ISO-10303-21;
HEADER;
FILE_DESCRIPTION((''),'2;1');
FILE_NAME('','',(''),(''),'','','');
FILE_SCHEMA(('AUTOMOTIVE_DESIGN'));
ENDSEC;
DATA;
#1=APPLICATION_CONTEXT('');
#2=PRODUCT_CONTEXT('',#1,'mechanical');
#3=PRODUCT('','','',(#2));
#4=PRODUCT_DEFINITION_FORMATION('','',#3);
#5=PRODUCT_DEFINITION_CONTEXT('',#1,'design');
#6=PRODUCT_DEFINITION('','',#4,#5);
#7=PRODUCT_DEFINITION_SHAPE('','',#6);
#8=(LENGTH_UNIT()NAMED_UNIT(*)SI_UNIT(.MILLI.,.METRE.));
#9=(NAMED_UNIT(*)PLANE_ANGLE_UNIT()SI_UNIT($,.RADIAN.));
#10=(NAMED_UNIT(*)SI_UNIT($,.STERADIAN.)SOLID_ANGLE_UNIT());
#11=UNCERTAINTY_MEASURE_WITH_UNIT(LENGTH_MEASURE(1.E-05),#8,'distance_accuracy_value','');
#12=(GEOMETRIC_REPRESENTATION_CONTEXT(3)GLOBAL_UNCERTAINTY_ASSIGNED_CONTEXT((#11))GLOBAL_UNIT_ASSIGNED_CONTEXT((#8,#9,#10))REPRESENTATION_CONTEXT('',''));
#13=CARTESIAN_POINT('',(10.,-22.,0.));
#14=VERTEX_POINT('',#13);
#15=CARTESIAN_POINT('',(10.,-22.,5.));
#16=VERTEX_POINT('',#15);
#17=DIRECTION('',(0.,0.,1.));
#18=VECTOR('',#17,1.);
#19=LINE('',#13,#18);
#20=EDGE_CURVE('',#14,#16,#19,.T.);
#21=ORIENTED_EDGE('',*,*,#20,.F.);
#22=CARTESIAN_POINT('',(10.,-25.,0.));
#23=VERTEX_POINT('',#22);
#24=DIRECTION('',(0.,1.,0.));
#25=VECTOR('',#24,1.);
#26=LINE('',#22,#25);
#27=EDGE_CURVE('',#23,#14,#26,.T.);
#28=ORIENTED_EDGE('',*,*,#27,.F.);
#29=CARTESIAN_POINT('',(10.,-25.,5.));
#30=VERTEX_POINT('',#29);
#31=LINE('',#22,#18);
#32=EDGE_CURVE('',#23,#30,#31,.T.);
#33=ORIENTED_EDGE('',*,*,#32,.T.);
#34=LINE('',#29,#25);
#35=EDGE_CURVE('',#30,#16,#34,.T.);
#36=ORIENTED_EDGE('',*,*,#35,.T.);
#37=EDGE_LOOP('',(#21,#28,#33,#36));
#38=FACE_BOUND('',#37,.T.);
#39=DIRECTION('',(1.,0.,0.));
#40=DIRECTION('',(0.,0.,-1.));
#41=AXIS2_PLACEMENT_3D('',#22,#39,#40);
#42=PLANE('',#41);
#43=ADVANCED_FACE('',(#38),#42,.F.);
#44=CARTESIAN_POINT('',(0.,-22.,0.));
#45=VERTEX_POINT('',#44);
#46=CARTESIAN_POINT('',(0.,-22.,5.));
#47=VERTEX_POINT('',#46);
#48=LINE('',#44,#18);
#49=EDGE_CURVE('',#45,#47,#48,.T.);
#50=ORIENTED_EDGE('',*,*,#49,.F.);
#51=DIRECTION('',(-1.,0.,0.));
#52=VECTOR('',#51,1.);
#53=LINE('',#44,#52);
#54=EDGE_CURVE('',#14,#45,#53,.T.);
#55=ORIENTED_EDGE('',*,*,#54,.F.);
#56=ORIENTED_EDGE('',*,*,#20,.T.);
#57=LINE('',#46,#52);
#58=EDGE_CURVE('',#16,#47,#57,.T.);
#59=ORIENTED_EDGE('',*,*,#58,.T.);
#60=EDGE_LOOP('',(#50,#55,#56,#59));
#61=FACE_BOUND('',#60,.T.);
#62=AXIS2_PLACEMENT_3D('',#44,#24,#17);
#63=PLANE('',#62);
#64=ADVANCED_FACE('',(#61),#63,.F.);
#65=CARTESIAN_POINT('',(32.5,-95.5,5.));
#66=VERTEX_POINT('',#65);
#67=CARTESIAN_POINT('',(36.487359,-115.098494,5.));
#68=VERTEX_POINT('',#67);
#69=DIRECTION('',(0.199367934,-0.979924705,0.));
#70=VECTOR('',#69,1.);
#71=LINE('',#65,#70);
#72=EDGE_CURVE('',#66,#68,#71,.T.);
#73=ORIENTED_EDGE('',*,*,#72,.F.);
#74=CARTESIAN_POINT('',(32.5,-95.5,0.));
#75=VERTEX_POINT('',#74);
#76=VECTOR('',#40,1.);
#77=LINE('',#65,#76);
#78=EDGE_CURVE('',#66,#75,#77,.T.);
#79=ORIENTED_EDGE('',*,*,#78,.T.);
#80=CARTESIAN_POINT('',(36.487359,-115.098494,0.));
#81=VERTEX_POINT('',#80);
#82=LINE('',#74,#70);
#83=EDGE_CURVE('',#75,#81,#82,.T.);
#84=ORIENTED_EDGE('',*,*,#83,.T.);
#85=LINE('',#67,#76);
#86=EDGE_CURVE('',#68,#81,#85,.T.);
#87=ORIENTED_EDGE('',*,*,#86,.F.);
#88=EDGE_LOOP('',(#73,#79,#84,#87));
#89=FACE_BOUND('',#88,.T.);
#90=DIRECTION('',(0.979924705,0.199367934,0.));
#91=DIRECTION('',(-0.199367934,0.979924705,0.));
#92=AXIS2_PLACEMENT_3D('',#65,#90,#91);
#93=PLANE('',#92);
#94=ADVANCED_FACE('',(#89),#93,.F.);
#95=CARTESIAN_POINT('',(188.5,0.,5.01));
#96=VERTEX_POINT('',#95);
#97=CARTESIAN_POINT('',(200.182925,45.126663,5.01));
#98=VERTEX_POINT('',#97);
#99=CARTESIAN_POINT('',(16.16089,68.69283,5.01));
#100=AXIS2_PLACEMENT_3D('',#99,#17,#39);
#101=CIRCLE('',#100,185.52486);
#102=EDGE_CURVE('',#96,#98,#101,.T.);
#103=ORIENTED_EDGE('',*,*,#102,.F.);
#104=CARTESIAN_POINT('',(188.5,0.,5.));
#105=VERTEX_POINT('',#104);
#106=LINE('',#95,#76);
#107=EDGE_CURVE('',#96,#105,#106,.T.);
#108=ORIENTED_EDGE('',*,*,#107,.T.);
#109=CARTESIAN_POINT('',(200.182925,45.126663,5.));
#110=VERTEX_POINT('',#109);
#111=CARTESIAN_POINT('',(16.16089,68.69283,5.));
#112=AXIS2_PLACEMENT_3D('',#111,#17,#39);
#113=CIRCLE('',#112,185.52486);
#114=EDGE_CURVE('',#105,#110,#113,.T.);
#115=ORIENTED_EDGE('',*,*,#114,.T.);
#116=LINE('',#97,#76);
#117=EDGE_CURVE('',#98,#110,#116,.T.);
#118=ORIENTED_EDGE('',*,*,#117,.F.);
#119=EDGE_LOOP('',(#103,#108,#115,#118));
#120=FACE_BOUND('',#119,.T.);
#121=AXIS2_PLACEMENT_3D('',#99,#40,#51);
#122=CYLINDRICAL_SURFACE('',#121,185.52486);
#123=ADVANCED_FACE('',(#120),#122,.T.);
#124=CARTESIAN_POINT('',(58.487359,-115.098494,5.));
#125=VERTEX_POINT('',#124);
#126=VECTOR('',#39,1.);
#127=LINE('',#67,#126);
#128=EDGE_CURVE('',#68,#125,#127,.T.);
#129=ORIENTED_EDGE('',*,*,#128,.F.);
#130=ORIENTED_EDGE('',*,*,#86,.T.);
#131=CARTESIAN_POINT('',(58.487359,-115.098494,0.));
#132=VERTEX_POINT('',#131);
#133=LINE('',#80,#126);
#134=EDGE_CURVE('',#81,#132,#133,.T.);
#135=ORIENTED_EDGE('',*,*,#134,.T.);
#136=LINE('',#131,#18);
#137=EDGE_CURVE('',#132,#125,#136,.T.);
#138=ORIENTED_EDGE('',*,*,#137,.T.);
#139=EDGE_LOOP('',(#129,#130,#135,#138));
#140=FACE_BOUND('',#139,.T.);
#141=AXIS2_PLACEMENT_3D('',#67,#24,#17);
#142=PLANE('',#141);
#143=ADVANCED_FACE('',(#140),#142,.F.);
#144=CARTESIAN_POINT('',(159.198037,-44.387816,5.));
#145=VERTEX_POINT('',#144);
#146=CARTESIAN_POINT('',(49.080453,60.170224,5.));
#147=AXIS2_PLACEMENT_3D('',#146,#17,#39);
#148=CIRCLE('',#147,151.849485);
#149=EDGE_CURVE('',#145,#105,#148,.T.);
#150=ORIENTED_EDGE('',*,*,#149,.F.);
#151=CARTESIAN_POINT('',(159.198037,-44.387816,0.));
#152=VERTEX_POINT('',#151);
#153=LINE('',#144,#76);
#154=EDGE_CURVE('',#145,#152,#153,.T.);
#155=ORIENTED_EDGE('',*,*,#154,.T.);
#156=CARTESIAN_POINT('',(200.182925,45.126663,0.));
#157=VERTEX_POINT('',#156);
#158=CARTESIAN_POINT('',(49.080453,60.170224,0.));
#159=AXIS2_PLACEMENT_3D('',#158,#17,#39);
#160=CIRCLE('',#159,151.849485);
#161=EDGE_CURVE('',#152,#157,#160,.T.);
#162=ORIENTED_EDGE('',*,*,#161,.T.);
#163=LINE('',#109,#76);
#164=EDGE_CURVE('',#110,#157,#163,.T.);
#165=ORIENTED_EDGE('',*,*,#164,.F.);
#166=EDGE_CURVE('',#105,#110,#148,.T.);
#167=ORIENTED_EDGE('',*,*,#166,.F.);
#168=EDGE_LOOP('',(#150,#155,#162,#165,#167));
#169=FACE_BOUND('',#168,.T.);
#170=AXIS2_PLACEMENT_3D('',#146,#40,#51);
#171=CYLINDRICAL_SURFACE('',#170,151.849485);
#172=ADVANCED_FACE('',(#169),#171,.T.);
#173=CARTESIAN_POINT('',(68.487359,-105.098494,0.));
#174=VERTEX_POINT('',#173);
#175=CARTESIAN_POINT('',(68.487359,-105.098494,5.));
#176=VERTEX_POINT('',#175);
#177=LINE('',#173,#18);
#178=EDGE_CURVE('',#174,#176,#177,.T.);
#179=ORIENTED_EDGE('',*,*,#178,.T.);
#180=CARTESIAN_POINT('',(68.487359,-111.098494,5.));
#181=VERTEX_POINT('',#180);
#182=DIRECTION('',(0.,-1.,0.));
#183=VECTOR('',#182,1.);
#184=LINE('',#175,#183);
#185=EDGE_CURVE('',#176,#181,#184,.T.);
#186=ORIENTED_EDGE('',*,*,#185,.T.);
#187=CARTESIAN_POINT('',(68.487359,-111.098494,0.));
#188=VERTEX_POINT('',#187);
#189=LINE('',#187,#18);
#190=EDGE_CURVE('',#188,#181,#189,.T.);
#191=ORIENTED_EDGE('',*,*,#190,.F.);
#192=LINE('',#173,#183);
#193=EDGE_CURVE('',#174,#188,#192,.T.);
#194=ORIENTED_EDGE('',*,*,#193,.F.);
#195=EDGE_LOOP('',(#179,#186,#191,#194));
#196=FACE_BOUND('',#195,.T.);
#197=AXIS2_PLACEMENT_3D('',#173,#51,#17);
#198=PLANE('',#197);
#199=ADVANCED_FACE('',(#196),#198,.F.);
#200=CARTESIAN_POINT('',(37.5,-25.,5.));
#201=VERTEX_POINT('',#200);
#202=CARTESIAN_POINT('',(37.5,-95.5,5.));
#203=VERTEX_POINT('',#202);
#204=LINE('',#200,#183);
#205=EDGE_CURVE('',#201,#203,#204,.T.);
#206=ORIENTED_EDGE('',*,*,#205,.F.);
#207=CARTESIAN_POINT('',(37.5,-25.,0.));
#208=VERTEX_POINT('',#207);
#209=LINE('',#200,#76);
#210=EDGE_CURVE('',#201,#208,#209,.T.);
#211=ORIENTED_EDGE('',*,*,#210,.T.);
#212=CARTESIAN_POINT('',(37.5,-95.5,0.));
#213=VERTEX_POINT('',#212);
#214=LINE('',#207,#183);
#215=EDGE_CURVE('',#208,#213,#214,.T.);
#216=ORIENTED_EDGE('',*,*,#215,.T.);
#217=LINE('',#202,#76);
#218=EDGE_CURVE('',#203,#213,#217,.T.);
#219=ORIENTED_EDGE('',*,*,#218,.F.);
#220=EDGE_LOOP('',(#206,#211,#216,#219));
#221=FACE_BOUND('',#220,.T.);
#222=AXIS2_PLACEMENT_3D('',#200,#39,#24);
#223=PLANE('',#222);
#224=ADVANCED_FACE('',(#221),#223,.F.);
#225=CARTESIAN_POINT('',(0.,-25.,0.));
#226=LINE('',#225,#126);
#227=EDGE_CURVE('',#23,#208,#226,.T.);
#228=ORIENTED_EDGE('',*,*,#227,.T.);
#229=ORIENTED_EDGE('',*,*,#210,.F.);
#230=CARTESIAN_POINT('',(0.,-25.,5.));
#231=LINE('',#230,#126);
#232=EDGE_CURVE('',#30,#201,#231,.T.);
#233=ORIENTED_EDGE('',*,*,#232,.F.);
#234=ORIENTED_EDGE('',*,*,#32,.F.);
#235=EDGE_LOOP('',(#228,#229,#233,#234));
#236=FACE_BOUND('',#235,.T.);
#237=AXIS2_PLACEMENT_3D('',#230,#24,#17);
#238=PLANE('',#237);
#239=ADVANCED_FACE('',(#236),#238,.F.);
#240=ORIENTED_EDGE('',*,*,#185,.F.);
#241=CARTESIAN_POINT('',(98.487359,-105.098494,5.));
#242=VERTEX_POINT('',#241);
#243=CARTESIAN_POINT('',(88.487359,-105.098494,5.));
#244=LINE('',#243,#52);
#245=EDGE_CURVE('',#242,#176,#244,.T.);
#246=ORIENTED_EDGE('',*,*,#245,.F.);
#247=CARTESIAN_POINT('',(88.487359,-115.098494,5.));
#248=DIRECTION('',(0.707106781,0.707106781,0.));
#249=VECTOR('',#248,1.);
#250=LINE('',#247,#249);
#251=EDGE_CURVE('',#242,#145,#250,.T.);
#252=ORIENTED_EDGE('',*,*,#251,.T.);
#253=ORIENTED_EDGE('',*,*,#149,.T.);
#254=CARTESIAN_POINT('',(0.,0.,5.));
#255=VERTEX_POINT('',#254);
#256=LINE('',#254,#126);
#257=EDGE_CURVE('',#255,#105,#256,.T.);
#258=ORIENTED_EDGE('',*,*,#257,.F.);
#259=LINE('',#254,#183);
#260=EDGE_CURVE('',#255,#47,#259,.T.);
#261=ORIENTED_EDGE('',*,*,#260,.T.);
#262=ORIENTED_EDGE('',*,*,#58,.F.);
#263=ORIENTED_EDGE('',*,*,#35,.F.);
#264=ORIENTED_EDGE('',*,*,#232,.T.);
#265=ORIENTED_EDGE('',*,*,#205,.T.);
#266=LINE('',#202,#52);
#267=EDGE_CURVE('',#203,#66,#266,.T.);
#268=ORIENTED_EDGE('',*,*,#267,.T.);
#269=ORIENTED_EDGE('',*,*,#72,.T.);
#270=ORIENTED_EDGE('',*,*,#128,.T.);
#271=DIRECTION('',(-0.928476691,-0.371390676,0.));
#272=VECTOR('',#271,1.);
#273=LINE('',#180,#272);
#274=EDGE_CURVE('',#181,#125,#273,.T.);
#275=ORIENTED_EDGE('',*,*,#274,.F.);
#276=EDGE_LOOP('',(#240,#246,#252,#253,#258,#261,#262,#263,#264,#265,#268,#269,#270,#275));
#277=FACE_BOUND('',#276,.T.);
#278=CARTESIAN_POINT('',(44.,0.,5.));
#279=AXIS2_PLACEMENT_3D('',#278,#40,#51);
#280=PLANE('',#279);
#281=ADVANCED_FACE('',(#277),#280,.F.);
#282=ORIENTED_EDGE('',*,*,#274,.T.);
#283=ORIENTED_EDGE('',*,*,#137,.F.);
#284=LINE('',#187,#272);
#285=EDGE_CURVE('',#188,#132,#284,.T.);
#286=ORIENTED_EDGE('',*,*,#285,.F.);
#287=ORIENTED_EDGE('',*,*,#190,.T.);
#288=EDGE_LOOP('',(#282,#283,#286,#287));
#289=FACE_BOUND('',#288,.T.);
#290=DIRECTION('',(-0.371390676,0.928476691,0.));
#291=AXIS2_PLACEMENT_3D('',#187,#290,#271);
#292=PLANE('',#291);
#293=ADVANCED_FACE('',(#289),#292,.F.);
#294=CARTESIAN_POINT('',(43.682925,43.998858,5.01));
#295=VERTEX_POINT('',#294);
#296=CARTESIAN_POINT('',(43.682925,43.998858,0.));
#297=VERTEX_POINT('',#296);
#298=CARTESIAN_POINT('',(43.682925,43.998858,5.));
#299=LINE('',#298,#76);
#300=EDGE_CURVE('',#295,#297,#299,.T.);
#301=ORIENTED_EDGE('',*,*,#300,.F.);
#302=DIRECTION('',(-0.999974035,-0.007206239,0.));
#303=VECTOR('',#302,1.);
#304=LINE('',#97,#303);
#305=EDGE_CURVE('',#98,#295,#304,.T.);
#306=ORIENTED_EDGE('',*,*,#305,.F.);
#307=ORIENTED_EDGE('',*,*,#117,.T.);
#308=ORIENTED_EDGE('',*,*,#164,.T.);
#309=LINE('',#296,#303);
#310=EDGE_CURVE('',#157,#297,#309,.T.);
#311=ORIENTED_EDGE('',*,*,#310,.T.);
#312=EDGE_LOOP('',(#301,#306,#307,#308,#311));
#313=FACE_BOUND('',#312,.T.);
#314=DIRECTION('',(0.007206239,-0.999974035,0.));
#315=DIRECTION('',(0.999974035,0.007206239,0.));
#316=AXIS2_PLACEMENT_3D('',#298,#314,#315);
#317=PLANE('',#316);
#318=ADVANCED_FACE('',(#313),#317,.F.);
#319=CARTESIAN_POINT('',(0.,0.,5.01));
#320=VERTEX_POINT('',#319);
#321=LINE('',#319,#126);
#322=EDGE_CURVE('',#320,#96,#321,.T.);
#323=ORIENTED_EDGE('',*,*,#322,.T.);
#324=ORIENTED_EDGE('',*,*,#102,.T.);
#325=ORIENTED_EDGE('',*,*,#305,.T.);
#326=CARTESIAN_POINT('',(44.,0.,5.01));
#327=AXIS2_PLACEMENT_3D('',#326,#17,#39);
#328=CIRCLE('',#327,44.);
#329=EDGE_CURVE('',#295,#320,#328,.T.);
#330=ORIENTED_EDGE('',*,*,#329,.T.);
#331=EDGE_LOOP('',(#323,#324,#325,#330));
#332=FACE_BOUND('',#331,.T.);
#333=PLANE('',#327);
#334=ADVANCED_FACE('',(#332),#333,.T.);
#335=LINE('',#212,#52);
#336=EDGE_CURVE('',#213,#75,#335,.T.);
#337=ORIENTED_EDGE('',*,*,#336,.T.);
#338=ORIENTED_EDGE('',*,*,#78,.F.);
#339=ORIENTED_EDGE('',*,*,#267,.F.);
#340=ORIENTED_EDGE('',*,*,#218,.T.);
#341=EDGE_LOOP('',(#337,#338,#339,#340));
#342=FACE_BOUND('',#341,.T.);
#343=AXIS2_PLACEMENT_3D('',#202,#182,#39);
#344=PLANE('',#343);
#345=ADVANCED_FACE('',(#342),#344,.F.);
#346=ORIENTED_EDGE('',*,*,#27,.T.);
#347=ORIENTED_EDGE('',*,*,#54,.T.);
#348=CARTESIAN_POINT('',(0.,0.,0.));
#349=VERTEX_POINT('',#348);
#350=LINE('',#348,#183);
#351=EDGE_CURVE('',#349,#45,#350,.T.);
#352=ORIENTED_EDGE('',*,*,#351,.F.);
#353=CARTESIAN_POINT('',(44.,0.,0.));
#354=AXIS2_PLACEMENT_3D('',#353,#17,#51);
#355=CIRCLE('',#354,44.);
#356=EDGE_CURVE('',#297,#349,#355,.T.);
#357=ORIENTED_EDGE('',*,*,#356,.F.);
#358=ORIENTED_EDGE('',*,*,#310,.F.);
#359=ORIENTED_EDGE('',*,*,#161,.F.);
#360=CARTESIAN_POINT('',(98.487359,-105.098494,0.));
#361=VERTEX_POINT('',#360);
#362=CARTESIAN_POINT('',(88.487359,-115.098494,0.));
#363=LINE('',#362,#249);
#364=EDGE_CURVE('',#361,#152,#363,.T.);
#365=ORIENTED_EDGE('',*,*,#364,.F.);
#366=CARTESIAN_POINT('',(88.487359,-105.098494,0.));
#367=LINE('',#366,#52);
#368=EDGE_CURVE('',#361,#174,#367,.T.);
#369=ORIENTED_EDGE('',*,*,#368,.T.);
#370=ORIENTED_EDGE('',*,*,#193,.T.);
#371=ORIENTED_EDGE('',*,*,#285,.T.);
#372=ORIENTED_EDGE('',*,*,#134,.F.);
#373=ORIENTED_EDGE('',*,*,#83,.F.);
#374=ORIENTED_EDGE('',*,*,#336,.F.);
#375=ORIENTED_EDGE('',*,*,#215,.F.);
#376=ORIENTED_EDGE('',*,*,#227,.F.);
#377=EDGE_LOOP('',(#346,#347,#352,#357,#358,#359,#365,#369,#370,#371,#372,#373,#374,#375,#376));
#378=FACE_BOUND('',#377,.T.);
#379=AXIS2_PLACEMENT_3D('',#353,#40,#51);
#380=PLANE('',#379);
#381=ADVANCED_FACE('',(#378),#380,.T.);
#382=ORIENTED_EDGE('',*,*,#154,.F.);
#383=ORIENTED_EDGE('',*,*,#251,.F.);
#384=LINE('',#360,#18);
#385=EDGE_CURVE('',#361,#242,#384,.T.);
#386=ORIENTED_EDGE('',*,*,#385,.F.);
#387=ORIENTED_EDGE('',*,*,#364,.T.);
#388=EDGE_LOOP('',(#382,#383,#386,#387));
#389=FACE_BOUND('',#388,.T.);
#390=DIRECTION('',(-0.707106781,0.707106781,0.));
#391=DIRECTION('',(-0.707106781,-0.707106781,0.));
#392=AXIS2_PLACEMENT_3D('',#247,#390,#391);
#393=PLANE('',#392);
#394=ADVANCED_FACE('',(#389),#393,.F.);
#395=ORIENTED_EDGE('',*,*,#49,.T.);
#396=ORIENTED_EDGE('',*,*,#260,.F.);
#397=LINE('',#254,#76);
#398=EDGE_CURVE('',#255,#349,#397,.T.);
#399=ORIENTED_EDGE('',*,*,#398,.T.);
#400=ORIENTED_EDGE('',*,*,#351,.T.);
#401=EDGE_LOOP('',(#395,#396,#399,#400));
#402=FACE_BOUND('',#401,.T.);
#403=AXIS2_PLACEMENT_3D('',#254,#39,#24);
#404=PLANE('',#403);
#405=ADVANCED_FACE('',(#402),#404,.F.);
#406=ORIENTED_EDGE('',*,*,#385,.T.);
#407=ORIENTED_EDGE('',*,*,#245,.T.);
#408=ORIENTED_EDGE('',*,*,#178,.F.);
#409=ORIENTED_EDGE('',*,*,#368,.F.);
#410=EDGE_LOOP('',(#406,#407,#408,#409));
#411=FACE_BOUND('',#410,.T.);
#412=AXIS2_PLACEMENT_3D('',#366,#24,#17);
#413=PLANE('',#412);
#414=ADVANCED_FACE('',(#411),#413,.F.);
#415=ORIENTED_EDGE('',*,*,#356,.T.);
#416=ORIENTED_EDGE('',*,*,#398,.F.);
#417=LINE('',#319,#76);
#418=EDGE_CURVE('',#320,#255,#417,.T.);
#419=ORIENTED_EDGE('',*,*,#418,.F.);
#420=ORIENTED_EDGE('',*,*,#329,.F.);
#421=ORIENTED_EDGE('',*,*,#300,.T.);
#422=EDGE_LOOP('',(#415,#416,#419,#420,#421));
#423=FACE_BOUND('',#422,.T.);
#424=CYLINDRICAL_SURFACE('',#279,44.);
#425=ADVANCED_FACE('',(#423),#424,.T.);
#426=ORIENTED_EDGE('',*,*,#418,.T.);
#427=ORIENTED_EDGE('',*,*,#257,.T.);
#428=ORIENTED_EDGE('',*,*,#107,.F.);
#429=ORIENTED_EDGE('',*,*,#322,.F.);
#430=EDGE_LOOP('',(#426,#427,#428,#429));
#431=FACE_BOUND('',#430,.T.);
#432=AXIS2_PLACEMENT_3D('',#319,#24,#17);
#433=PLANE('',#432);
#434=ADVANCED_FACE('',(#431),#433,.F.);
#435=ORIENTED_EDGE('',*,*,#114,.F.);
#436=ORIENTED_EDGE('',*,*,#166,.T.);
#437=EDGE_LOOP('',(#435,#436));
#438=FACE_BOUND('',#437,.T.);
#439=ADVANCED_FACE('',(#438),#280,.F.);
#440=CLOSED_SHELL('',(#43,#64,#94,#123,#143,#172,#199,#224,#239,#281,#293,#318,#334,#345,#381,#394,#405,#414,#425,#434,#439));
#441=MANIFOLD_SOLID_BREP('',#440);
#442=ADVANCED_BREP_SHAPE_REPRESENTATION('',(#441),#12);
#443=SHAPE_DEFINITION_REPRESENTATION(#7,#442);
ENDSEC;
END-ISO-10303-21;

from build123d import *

# Parameters (mm, degrees)
BOSS_EXTRU_1_DEPTH      = 5
BOSS_EXTRU_2_DEPTH      = 0.01
ESQUISSE3_W             = 10
ESQUISSE3_H             = 3
ENL_V_MAT_EXTRU_1_DEPTH = 231.967242256
ENL_V_MAT_EXTRU_2_DEPTH = 231.967242256


with BuildPart() as part:
    # Esquisse1 → Boss.-Extru.1 (new body)
    with BuildSketch(Plane.XY):
        with BuildLine():
            Line((0, 0), (0, -25))
            Line((0, -25), (37.5, -25))
            Line((37.5, -25), (37.5, -95.5))
            Line((37.5, -95.5), (32.5, -95.5))
            Line((32.5, -95.5), (36.487358688, -115.098494092))
            Line((36.487358688, -115.098494092), (88.487358688, -115.098494092))
            Line((88.487358688, -115.098494092), (159.198036807, -44.387815974))
            ThreePointArc((159.198036807, -44.387815974), (187.146342861, -3.044299659), (200.182925478, 45.126663235))
            Line((200.182925478, 45.126663235), (43.682925478, 43.998857528))
            ThreePointArc((43.682925478, 43.998857528), (12.775400091, 31.000392909), (0, 0))
        make_face()
    extrude(amount=BOSS_EXTRU_1_DEPTH)

    # Esquisse2 → Boss.-Extru.2 (add)
    with BuildSketch(Plane.XY.offset(5)):
        with BuildLine():
            Line((0, 0), (188.5, 0))
            ThreePointArc((188.5, 0), (195.764398976, 22.194945018), (200.182925478, 45.126663235))
            Line((200.182925478, 45.126663235), (43.682925478, 43.998857528))
            ThreePointArc((43.682925478, 43.998857528), (12.775400091, 31.000392909), (0, 0))
        make_face()
    extrude(amount=BOSS_EXTRU_2_DEPTH)

    # Esquisse3 → Enlèv. mat.-Extru.1 (cut, through all)
    with BuildSketch(Plane.XY.offset(5)):
        with Locations((5, -23.5)):
            Rectangle(ESQUISSE3_W, ESQUISSE3_H)
    extrude(amount=-ENL_V_MAT_EXTRU_1_DEPTH, mode=Mode.SUBTRACT)

    # Esquisse4 → Enlèv. mat.-Extru.2 (cut, through all)
    with BuildSketch(Plane.XY.offset(5)):
        Polygon((88.487358688, -105.098494092), (68.487358688, -105.098494092), (68.487358688, -111.098494092), (58.487358688, -115.098494092), (68.487358688, -115.098494092), (88.487358688, -115.098494092), (98.487358688, -105.098494092), align=None)
    extrude(amount=-ENL_V_MAT_EXTRU_2_DEPTH, mode=Mode.SUBTRACT)


solid = part.part
